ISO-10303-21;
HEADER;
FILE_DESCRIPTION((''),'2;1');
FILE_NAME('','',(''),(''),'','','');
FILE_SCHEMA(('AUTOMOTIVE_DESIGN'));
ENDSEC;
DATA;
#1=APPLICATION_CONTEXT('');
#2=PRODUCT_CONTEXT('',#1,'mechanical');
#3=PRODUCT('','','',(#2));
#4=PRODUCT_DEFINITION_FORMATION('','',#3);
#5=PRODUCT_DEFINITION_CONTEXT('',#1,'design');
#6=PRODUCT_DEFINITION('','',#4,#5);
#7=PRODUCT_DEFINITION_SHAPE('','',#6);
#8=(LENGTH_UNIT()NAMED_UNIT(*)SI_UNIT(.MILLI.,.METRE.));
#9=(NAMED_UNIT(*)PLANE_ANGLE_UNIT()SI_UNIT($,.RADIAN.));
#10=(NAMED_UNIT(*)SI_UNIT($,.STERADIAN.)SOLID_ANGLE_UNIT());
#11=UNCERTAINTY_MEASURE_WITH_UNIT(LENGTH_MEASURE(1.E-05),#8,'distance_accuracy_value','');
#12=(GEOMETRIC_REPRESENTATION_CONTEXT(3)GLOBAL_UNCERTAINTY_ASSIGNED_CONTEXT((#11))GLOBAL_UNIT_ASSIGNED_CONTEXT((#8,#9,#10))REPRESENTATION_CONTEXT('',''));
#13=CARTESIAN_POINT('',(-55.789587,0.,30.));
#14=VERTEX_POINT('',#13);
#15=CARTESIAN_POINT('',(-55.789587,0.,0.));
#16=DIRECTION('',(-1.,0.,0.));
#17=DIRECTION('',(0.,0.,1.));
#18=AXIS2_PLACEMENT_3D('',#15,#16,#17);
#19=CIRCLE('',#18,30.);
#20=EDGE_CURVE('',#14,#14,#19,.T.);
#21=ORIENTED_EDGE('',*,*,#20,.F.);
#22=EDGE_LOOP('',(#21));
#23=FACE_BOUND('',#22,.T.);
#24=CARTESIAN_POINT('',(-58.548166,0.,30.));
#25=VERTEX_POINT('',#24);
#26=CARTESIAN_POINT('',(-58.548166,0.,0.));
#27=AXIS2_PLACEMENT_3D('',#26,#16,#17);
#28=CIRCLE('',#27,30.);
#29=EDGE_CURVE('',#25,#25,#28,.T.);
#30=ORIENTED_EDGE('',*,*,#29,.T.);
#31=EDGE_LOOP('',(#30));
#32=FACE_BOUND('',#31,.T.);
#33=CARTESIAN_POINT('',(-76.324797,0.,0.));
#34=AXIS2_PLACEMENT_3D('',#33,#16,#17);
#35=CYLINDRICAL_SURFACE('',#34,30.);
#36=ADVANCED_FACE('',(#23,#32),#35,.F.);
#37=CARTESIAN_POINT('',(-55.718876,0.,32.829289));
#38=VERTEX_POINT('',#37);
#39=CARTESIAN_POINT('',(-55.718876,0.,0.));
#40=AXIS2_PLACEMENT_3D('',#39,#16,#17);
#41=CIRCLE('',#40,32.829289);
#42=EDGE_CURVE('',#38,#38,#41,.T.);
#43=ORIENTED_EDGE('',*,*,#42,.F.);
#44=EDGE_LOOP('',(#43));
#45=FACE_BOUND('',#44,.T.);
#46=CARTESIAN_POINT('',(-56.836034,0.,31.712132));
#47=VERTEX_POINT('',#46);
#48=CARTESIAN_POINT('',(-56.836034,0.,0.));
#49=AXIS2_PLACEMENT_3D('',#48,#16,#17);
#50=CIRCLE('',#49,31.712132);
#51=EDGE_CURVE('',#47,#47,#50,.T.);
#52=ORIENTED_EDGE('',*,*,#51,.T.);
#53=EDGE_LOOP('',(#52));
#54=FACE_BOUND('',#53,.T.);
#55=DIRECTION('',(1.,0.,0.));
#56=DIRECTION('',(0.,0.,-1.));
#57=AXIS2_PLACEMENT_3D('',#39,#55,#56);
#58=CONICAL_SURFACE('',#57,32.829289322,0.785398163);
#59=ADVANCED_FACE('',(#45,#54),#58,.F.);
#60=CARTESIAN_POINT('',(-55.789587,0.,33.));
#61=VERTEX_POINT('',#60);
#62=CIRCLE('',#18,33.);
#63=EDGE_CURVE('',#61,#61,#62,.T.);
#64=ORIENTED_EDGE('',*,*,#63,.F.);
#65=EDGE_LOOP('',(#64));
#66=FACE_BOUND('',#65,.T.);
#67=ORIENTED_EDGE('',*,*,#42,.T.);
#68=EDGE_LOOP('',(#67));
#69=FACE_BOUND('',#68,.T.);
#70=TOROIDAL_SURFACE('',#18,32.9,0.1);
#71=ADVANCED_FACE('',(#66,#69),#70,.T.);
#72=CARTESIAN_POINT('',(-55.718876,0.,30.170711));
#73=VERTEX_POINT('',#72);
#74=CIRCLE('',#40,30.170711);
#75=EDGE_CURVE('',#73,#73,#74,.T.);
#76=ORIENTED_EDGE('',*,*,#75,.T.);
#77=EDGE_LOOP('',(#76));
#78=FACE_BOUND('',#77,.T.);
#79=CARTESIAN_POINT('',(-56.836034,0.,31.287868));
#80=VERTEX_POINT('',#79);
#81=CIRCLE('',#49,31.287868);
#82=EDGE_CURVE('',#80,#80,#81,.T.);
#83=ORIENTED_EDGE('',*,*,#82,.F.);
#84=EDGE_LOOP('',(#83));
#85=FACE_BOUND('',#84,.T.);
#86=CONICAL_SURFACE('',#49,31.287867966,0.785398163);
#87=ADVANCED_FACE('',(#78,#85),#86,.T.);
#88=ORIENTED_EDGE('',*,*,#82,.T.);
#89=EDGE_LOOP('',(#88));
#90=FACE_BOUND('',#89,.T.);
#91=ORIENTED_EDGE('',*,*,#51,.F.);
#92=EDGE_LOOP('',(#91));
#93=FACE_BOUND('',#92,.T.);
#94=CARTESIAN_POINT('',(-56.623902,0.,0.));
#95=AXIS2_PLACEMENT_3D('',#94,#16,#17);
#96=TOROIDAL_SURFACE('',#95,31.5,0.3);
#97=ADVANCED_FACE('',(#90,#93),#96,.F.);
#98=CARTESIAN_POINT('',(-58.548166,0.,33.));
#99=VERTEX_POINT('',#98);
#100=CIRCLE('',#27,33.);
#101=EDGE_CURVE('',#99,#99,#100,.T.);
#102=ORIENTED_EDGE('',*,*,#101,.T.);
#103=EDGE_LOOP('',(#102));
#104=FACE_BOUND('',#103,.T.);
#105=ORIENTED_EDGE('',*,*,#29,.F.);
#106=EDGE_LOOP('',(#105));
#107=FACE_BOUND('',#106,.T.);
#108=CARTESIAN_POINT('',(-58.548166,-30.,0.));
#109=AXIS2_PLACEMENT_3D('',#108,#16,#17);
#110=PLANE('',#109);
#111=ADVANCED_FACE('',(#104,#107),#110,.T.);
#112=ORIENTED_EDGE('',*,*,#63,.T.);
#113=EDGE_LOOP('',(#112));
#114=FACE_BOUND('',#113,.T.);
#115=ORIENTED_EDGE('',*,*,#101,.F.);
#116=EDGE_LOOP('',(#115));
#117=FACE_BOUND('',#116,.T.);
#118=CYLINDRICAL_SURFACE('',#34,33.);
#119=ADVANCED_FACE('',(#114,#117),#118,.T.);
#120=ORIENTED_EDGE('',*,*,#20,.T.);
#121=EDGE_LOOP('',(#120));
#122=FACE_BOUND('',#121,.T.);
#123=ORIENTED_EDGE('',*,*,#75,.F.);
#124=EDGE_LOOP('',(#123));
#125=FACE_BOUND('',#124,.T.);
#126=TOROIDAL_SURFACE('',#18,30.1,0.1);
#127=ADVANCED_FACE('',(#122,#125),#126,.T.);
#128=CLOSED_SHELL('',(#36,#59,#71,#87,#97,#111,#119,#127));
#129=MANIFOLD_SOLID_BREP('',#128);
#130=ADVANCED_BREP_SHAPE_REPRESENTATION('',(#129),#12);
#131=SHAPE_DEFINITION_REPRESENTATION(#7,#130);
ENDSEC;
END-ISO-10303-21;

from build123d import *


with BuildPart() as part:
    # Sketch1 → Revolve1 (revolve)
    with BuildSketch(Plane.XY, mode=Mode.PRIVATE) as revolve1_sk:
        with BuildLine():
            Line((-58.548165741, -33), (-55.789587097, -33))
            ThreePointArc((-55.789587097, -33), (-55.697199144, -32.938268343), (-55.718876419, -32.829289322))
            Line((-55.718876419, -32.829289322), (-56.836033706, -31.712132034))
            ThreePointArc((-56.836033706, -31.712132034), (-56.923901672, -31.5), (-56.836033706, -31.287867966))
            Line((-56.836033706, -31.287867966), (-55.718876419, -30.170710678))
            ThreePointArc((-55.718876419, -30.170710678), (-55.697199144, -30.061731657), (-55.789587097, -30))
            Line((-55.789587097, -30), (-58.548165741, -30))
            Line((-58.548165741, -30), (-58.548165741, -33))
        make_face()
    revolve(revolve1_sk.sketch.rotate(Axis((-76.324796719, 0, 0), (1, 0, 0)), 270), axis=Axis((-76.324796719, 0, 0), (1, 0, 0)))


solid = part.part
